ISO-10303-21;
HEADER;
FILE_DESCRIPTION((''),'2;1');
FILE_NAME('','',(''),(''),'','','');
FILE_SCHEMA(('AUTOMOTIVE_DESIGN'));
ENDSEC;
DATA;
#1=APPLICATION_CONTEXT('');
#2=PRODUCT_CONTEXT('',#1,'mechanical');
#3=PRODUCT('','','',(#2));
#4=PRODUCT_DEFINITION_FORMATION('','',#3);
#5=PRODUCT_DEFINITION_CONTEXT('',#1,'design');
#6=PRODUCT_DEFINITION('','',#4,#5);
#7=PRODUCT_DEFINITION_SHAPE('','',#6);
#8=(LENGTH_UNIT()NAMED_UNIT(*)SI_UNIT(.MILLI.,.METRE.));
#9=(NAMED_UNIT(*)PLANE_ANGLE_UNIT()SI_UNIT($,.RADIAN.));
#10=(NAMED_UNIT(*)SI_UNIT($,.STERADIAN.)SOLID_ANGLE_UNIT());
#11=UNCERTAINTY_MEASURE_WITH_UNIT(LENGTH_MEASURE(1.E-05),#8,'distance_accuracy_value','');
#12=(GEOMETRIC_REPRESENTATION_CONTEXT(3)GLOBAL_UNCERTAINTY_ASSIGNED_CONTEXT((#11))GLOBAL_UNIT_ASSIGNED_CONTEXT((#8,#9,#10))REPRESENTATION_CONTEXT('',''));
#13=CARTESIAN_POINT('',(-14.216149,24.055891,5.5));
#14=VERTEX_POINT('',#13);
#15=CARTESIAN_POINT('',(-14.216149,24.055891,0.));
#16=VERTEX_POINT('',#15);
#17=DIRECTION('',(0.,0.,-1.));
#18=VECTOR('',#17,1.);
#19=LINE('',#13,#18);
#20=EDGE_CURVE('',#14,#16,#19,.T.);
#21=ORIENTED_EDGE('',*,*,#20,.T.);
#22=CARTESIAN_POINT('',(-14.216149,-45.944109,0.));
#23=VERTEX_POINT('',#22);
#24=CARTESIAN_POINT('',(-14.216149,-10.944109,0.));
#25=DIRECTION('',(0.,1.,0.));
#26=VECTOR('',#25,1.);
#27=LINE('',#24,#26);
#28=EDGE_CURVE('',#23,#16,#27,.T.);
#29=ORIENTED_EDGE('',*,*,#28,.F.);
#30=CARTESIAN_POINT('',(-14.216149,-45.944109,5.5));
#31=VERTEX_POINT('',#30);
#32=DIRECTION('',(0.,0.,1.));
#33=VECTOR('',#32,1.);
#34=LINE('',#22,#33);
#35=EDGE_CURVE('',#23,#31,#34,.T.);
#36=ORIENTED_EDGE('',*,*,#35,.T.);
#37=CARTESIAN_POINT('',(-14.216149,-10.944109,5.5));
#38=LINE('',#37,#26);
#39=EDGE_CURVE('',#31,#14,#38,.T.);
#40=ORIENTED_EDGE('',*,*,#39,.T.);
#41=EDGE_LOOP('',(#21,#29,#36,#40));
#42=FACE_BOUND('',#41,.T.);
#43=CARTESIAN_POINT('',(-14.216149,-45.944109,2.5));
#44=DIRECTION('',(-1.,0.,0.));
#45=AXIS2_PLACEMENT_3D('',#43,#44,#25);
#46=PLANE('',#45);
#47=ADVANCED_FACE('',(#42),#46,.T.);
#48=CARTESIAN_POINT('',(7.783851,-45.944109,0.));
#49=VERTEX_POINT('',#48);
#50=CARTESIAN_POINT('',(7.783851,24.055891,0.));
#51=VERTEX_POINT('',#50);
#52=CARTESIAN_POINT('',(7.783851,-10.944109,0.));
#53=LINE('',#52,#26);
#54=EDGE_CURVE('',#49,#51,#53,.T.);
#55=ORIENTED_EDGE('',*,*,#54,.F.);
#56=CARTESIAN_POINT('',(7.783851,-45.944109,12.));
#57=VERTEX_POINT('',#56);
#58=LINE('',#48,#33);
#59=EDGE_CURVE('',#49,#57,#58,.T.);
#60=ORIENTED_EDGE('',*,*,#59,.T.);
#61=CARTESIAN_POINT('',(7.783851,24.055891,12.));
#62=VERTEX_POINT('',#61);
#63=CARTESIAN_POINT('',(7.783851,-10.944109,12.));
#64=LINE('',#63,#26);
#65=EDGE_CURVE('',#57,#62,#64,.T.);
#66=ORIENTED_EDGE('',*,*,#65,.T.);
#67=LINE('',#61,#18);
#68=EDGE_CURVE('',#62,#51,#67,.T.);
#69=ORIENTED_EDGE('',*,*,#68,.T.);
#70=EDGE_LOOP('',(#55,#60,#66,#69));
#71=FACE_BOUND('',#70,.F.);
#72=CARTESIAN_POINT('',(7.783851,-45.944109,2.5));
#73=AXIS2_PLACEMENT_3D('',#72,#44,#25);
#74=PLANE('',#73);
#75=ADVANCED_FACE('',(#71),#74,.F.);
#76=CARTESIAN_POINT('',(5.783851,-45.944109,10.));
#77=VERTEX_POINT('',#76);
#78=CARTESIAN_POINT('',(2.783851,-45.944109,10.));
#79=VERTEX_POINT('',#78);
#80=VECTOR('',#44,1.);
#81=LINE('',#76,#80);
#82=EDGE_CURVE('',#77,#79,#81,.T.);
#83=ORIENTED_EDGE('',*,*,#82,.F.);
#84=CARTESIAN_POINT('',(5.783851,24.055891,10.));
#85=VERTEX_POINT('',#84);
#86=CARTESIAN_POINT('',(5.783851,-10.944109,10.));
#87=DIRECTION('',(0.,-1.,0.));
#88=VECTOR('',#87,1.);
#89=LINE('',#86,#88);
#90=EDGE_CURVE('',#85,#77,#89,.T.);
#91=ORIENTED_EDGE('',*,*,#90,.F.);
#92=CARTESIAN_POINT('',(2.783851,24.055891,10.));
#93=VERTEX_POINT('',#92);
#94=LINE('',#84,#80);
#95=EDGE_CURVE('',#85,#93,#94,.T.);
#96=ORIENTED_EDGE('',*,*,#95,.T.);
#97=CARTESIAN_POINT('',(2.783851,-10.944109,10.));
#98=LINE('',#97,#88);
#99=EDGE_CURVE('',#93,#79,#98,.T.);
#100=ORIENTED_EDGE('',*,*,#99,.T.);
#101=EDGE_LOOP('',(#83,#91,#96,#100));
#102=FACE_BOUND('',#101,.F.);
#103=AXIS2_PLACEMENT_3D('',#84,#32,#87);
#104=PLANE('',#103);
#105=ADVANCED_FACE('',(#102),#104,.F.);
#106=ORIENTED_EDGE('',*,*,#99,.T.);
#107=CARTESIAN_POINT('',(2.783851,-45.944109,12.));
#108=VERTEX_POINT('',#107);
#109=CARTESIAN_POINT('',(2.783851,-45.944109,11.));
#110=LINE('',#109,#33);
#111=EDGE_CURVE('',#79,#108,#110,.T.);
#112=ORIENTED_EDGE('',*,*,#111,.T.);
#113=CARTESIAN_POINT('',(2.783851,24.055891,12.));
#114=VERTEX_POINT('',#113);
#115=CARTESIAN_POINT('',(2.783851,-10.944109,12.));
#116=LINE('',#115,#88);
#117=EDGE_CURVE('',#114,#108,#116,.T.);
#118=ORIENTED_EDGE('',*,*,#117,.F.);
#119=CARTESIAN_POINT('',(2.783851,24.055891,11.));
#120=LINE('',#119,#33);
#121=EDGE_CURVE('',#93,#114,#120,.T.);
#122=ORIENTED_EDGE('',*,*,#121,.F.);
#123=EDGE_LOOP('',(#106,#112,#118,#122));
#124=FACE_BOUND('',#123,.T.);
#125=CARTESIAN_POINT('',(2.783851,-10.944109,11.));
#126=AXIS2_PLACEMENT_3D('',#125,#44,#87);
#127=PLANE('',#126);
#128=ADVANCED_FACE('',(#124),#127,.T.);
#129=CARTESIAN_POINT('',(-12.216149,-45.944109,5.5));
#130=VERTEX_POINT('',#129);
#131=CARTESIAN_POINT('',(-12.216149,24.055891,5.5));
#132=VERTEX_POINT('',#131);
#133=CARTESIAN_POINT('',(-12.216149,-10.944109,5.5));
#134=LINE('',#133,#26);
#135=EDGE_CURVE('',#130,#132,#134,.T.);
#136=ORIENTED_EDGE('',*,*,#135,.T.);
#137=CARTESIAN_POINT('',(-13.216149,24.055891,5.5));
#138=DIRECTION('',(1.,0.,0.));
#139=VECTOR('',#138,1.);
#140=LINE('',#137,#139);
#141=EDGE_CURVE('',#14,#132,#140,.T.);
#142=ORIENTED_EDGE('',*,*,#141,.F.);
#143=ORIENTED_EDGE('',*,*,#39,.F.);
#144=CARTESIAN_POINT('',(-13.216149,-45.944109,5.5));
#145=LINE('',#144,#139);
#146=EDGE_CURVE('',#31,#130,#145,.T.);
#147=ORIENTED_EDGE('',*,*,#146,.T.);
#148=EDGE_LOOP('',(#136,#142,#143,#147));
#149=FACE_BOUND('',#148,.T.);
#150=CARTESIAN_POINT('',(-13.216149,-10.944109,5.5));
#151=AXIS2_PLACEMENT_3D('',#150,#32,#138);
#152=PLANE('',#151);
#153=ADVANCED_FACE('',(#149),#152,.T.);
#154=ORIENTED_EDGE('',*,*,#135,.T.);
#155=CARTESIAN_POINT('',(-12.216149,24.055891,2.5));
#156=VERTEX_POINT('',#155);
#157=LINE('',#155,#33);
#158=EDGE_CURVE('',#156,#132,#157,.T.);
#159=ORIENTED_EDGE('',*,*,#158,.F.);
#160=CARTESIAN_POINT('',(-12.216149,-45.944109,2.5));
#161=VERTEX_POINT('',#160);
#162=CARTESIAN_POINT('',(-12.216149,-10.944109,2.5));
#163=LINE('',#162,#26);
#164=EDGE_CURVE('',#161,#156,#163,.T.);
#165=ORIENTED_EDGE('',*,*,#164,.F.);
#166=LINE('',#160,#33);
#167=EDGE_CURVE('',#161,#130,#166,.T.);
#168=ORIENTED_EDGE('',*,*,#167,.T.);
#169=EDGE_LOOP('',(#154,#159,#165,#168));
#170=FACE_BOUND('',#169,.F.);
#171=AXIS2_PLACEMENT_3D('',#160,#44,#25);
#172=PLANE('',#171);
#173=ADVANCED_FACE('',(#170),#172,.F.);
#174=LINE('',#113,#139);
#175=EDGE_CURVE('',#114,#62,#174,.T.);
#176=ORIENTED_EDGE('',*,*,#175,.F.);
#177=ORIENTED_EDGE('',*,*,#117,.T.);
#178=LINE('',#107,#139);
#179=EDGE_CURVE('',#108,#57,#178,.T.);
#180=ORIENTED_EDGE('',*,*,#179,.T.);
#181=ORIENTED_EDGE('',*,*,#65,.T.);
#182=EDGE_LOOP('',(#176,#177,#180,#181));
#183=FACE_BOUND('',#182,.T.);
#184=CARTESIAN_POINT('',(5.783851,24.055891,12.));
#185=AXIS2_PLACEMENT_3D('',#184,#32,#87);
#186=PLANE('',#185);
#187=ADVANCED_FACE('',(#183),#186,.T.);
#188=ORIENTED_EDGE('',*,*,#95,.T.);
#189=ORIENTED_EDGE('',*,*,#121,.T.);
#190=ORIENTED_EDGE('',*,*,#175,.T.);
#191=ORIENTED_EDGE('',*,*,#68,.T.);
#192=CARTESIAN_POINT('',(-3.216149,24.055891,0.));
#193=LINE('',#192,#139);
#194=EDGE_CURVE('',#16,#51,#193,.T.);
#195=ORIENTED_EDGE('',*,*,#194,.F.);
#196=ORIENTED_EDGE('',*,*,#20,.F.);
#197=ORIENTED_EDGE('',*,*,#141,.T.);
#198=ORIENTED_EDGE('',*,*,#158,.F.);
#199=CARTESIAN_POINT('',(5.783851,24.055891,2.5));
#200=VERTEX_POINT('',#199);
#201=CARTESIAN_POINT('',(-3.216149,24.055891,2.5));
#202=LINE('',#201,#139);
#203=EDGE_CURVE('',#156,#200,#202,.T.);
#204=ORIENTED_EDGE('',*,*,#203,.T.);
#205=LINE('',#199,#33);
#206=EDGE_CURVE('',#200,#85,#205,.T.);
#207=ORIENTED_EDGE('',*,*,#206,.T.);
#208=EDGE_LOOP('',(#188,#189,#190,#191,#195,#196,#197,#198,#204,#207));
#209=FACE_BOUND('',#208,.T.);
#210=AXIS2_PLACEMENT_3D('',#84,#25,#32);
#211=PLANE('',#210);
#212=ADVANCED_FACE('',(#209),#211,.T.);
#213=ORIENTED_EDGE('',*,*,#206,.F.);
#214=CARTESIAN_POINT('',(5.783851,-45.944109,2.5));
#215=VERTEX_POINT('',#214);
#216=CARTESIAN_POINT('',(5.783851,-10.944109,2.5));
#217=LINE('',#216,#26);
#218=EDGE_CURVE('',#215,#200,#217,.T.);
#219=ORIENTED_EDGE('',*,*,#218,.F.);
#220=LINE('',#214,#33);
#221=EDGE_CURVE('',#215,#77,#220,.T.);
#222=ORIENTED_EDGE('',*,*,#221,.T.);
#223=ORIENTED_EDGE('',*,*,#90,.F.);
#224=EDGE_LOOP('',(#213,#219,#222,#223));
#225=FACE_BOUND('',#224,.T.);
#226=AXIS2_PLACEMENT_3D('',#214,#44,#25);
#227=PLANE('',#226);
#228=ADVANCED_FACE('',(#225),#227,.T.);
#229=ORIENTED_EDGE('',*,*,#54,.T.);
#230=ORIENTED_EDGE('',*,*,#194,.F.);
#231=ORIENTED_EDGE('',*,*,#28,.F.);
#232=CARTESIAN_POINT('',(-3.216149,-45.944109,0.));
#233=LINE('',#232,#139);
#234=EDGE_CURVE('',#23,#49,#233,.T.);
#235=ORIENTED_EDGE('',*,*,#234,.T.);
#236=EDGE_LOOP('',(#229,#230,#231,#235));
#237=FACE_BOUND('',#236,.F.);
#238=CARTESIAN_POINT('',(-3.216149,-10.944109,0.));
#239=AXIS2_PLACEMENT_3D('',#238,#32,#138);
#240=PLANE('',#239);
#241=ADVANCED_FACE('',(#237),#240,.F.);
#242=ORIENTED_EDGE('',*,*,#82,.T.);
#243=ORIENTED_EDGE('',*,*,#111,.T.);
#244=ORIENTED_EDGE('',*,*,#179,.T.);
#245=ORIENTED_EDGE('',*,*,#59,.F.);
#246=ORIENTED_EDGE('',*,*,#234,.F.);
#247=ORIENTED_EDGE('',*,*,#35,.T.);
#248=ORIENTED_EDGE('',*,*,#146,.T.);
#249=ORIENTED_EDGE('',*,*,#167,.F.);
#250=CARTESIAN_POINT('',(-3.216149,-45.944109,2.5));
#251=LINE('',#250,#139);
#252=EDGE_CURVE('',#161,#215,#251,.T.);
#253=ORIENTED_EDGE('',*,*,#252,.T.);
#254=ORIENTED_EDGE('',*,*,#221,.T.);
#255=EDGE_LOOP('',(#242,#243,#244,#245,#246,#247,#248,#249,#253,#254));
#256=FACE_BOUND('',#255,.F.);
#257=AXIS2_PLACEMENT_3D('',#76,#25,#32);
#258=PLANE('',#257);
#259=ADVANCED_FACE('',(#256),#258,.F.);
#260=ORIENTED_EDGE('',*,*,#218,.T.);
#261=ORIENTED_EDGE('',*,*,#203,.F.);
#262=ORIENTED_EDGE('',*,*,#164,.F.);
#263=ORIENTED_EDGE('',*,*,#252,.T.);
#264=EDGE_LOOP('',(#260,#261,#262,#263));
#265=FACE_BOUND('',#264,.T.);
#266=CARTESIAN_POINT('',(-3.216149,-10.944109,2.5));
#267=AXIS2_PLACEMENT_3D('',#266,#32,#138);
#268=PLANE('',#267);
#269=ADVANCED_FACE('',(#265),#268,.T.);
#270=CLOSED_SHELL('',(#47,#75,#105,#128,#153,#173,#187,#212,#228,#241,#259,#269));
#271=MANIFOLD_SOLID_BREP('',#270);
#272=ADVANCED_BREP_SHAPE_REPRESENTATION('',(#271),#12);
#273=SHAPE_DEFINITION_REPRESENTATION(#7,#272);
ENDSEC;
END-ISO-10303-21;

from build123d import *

# Parameters (mm, degrees)
F0_W     = 22
F0_H     = 70
F1_DEPTH = 2.5
F2_W     = 2
F2_H     = 70
F3_DEPTH = 3
F4_DEPTH = 9.5
F5_W     = 70
F5_H     = 2
F6_DEPTH = 3


with BuildPart() as f1:
    # F0 (on Top) → F1 (new body)
    with BuildSketch(Plane.XY):
        with Locations((-3.216149, -10.944109)):
            Rectangle(F0_W, F0_H)
    extrude(amount=F1_DEPTH)

    # F2 (on face) → F3 (join)
    with BuildSketch(Plane.XY.offset(2.5)):
        with Locations((-13.216149, -10.944109)):
            Rectangle(F2_W, F2_H)
    extrude(amount=F3_DEPTH)

    # F2 (on face) → F4 (join)
    with BuildSketch(Plane.XY.offset(2.5)):
        with Locations((6.783851, -10.944109)):
            Rectangle(F2_W, F2_H)
    extrude(amount=F4_DEPTH)

    # F5 (on face) → F6 (join)
    with BuildSketch(Plane(origin=(5.783851, 0, 0), x_dir=(0, -1, 0), z_dir=(-1, 0, 0))):
        with Locations((10.944109, 11)):
            Rectangle(F5_W, F5_H)
    extrude(amount=F6_DEPTH)


solid = f1.part
